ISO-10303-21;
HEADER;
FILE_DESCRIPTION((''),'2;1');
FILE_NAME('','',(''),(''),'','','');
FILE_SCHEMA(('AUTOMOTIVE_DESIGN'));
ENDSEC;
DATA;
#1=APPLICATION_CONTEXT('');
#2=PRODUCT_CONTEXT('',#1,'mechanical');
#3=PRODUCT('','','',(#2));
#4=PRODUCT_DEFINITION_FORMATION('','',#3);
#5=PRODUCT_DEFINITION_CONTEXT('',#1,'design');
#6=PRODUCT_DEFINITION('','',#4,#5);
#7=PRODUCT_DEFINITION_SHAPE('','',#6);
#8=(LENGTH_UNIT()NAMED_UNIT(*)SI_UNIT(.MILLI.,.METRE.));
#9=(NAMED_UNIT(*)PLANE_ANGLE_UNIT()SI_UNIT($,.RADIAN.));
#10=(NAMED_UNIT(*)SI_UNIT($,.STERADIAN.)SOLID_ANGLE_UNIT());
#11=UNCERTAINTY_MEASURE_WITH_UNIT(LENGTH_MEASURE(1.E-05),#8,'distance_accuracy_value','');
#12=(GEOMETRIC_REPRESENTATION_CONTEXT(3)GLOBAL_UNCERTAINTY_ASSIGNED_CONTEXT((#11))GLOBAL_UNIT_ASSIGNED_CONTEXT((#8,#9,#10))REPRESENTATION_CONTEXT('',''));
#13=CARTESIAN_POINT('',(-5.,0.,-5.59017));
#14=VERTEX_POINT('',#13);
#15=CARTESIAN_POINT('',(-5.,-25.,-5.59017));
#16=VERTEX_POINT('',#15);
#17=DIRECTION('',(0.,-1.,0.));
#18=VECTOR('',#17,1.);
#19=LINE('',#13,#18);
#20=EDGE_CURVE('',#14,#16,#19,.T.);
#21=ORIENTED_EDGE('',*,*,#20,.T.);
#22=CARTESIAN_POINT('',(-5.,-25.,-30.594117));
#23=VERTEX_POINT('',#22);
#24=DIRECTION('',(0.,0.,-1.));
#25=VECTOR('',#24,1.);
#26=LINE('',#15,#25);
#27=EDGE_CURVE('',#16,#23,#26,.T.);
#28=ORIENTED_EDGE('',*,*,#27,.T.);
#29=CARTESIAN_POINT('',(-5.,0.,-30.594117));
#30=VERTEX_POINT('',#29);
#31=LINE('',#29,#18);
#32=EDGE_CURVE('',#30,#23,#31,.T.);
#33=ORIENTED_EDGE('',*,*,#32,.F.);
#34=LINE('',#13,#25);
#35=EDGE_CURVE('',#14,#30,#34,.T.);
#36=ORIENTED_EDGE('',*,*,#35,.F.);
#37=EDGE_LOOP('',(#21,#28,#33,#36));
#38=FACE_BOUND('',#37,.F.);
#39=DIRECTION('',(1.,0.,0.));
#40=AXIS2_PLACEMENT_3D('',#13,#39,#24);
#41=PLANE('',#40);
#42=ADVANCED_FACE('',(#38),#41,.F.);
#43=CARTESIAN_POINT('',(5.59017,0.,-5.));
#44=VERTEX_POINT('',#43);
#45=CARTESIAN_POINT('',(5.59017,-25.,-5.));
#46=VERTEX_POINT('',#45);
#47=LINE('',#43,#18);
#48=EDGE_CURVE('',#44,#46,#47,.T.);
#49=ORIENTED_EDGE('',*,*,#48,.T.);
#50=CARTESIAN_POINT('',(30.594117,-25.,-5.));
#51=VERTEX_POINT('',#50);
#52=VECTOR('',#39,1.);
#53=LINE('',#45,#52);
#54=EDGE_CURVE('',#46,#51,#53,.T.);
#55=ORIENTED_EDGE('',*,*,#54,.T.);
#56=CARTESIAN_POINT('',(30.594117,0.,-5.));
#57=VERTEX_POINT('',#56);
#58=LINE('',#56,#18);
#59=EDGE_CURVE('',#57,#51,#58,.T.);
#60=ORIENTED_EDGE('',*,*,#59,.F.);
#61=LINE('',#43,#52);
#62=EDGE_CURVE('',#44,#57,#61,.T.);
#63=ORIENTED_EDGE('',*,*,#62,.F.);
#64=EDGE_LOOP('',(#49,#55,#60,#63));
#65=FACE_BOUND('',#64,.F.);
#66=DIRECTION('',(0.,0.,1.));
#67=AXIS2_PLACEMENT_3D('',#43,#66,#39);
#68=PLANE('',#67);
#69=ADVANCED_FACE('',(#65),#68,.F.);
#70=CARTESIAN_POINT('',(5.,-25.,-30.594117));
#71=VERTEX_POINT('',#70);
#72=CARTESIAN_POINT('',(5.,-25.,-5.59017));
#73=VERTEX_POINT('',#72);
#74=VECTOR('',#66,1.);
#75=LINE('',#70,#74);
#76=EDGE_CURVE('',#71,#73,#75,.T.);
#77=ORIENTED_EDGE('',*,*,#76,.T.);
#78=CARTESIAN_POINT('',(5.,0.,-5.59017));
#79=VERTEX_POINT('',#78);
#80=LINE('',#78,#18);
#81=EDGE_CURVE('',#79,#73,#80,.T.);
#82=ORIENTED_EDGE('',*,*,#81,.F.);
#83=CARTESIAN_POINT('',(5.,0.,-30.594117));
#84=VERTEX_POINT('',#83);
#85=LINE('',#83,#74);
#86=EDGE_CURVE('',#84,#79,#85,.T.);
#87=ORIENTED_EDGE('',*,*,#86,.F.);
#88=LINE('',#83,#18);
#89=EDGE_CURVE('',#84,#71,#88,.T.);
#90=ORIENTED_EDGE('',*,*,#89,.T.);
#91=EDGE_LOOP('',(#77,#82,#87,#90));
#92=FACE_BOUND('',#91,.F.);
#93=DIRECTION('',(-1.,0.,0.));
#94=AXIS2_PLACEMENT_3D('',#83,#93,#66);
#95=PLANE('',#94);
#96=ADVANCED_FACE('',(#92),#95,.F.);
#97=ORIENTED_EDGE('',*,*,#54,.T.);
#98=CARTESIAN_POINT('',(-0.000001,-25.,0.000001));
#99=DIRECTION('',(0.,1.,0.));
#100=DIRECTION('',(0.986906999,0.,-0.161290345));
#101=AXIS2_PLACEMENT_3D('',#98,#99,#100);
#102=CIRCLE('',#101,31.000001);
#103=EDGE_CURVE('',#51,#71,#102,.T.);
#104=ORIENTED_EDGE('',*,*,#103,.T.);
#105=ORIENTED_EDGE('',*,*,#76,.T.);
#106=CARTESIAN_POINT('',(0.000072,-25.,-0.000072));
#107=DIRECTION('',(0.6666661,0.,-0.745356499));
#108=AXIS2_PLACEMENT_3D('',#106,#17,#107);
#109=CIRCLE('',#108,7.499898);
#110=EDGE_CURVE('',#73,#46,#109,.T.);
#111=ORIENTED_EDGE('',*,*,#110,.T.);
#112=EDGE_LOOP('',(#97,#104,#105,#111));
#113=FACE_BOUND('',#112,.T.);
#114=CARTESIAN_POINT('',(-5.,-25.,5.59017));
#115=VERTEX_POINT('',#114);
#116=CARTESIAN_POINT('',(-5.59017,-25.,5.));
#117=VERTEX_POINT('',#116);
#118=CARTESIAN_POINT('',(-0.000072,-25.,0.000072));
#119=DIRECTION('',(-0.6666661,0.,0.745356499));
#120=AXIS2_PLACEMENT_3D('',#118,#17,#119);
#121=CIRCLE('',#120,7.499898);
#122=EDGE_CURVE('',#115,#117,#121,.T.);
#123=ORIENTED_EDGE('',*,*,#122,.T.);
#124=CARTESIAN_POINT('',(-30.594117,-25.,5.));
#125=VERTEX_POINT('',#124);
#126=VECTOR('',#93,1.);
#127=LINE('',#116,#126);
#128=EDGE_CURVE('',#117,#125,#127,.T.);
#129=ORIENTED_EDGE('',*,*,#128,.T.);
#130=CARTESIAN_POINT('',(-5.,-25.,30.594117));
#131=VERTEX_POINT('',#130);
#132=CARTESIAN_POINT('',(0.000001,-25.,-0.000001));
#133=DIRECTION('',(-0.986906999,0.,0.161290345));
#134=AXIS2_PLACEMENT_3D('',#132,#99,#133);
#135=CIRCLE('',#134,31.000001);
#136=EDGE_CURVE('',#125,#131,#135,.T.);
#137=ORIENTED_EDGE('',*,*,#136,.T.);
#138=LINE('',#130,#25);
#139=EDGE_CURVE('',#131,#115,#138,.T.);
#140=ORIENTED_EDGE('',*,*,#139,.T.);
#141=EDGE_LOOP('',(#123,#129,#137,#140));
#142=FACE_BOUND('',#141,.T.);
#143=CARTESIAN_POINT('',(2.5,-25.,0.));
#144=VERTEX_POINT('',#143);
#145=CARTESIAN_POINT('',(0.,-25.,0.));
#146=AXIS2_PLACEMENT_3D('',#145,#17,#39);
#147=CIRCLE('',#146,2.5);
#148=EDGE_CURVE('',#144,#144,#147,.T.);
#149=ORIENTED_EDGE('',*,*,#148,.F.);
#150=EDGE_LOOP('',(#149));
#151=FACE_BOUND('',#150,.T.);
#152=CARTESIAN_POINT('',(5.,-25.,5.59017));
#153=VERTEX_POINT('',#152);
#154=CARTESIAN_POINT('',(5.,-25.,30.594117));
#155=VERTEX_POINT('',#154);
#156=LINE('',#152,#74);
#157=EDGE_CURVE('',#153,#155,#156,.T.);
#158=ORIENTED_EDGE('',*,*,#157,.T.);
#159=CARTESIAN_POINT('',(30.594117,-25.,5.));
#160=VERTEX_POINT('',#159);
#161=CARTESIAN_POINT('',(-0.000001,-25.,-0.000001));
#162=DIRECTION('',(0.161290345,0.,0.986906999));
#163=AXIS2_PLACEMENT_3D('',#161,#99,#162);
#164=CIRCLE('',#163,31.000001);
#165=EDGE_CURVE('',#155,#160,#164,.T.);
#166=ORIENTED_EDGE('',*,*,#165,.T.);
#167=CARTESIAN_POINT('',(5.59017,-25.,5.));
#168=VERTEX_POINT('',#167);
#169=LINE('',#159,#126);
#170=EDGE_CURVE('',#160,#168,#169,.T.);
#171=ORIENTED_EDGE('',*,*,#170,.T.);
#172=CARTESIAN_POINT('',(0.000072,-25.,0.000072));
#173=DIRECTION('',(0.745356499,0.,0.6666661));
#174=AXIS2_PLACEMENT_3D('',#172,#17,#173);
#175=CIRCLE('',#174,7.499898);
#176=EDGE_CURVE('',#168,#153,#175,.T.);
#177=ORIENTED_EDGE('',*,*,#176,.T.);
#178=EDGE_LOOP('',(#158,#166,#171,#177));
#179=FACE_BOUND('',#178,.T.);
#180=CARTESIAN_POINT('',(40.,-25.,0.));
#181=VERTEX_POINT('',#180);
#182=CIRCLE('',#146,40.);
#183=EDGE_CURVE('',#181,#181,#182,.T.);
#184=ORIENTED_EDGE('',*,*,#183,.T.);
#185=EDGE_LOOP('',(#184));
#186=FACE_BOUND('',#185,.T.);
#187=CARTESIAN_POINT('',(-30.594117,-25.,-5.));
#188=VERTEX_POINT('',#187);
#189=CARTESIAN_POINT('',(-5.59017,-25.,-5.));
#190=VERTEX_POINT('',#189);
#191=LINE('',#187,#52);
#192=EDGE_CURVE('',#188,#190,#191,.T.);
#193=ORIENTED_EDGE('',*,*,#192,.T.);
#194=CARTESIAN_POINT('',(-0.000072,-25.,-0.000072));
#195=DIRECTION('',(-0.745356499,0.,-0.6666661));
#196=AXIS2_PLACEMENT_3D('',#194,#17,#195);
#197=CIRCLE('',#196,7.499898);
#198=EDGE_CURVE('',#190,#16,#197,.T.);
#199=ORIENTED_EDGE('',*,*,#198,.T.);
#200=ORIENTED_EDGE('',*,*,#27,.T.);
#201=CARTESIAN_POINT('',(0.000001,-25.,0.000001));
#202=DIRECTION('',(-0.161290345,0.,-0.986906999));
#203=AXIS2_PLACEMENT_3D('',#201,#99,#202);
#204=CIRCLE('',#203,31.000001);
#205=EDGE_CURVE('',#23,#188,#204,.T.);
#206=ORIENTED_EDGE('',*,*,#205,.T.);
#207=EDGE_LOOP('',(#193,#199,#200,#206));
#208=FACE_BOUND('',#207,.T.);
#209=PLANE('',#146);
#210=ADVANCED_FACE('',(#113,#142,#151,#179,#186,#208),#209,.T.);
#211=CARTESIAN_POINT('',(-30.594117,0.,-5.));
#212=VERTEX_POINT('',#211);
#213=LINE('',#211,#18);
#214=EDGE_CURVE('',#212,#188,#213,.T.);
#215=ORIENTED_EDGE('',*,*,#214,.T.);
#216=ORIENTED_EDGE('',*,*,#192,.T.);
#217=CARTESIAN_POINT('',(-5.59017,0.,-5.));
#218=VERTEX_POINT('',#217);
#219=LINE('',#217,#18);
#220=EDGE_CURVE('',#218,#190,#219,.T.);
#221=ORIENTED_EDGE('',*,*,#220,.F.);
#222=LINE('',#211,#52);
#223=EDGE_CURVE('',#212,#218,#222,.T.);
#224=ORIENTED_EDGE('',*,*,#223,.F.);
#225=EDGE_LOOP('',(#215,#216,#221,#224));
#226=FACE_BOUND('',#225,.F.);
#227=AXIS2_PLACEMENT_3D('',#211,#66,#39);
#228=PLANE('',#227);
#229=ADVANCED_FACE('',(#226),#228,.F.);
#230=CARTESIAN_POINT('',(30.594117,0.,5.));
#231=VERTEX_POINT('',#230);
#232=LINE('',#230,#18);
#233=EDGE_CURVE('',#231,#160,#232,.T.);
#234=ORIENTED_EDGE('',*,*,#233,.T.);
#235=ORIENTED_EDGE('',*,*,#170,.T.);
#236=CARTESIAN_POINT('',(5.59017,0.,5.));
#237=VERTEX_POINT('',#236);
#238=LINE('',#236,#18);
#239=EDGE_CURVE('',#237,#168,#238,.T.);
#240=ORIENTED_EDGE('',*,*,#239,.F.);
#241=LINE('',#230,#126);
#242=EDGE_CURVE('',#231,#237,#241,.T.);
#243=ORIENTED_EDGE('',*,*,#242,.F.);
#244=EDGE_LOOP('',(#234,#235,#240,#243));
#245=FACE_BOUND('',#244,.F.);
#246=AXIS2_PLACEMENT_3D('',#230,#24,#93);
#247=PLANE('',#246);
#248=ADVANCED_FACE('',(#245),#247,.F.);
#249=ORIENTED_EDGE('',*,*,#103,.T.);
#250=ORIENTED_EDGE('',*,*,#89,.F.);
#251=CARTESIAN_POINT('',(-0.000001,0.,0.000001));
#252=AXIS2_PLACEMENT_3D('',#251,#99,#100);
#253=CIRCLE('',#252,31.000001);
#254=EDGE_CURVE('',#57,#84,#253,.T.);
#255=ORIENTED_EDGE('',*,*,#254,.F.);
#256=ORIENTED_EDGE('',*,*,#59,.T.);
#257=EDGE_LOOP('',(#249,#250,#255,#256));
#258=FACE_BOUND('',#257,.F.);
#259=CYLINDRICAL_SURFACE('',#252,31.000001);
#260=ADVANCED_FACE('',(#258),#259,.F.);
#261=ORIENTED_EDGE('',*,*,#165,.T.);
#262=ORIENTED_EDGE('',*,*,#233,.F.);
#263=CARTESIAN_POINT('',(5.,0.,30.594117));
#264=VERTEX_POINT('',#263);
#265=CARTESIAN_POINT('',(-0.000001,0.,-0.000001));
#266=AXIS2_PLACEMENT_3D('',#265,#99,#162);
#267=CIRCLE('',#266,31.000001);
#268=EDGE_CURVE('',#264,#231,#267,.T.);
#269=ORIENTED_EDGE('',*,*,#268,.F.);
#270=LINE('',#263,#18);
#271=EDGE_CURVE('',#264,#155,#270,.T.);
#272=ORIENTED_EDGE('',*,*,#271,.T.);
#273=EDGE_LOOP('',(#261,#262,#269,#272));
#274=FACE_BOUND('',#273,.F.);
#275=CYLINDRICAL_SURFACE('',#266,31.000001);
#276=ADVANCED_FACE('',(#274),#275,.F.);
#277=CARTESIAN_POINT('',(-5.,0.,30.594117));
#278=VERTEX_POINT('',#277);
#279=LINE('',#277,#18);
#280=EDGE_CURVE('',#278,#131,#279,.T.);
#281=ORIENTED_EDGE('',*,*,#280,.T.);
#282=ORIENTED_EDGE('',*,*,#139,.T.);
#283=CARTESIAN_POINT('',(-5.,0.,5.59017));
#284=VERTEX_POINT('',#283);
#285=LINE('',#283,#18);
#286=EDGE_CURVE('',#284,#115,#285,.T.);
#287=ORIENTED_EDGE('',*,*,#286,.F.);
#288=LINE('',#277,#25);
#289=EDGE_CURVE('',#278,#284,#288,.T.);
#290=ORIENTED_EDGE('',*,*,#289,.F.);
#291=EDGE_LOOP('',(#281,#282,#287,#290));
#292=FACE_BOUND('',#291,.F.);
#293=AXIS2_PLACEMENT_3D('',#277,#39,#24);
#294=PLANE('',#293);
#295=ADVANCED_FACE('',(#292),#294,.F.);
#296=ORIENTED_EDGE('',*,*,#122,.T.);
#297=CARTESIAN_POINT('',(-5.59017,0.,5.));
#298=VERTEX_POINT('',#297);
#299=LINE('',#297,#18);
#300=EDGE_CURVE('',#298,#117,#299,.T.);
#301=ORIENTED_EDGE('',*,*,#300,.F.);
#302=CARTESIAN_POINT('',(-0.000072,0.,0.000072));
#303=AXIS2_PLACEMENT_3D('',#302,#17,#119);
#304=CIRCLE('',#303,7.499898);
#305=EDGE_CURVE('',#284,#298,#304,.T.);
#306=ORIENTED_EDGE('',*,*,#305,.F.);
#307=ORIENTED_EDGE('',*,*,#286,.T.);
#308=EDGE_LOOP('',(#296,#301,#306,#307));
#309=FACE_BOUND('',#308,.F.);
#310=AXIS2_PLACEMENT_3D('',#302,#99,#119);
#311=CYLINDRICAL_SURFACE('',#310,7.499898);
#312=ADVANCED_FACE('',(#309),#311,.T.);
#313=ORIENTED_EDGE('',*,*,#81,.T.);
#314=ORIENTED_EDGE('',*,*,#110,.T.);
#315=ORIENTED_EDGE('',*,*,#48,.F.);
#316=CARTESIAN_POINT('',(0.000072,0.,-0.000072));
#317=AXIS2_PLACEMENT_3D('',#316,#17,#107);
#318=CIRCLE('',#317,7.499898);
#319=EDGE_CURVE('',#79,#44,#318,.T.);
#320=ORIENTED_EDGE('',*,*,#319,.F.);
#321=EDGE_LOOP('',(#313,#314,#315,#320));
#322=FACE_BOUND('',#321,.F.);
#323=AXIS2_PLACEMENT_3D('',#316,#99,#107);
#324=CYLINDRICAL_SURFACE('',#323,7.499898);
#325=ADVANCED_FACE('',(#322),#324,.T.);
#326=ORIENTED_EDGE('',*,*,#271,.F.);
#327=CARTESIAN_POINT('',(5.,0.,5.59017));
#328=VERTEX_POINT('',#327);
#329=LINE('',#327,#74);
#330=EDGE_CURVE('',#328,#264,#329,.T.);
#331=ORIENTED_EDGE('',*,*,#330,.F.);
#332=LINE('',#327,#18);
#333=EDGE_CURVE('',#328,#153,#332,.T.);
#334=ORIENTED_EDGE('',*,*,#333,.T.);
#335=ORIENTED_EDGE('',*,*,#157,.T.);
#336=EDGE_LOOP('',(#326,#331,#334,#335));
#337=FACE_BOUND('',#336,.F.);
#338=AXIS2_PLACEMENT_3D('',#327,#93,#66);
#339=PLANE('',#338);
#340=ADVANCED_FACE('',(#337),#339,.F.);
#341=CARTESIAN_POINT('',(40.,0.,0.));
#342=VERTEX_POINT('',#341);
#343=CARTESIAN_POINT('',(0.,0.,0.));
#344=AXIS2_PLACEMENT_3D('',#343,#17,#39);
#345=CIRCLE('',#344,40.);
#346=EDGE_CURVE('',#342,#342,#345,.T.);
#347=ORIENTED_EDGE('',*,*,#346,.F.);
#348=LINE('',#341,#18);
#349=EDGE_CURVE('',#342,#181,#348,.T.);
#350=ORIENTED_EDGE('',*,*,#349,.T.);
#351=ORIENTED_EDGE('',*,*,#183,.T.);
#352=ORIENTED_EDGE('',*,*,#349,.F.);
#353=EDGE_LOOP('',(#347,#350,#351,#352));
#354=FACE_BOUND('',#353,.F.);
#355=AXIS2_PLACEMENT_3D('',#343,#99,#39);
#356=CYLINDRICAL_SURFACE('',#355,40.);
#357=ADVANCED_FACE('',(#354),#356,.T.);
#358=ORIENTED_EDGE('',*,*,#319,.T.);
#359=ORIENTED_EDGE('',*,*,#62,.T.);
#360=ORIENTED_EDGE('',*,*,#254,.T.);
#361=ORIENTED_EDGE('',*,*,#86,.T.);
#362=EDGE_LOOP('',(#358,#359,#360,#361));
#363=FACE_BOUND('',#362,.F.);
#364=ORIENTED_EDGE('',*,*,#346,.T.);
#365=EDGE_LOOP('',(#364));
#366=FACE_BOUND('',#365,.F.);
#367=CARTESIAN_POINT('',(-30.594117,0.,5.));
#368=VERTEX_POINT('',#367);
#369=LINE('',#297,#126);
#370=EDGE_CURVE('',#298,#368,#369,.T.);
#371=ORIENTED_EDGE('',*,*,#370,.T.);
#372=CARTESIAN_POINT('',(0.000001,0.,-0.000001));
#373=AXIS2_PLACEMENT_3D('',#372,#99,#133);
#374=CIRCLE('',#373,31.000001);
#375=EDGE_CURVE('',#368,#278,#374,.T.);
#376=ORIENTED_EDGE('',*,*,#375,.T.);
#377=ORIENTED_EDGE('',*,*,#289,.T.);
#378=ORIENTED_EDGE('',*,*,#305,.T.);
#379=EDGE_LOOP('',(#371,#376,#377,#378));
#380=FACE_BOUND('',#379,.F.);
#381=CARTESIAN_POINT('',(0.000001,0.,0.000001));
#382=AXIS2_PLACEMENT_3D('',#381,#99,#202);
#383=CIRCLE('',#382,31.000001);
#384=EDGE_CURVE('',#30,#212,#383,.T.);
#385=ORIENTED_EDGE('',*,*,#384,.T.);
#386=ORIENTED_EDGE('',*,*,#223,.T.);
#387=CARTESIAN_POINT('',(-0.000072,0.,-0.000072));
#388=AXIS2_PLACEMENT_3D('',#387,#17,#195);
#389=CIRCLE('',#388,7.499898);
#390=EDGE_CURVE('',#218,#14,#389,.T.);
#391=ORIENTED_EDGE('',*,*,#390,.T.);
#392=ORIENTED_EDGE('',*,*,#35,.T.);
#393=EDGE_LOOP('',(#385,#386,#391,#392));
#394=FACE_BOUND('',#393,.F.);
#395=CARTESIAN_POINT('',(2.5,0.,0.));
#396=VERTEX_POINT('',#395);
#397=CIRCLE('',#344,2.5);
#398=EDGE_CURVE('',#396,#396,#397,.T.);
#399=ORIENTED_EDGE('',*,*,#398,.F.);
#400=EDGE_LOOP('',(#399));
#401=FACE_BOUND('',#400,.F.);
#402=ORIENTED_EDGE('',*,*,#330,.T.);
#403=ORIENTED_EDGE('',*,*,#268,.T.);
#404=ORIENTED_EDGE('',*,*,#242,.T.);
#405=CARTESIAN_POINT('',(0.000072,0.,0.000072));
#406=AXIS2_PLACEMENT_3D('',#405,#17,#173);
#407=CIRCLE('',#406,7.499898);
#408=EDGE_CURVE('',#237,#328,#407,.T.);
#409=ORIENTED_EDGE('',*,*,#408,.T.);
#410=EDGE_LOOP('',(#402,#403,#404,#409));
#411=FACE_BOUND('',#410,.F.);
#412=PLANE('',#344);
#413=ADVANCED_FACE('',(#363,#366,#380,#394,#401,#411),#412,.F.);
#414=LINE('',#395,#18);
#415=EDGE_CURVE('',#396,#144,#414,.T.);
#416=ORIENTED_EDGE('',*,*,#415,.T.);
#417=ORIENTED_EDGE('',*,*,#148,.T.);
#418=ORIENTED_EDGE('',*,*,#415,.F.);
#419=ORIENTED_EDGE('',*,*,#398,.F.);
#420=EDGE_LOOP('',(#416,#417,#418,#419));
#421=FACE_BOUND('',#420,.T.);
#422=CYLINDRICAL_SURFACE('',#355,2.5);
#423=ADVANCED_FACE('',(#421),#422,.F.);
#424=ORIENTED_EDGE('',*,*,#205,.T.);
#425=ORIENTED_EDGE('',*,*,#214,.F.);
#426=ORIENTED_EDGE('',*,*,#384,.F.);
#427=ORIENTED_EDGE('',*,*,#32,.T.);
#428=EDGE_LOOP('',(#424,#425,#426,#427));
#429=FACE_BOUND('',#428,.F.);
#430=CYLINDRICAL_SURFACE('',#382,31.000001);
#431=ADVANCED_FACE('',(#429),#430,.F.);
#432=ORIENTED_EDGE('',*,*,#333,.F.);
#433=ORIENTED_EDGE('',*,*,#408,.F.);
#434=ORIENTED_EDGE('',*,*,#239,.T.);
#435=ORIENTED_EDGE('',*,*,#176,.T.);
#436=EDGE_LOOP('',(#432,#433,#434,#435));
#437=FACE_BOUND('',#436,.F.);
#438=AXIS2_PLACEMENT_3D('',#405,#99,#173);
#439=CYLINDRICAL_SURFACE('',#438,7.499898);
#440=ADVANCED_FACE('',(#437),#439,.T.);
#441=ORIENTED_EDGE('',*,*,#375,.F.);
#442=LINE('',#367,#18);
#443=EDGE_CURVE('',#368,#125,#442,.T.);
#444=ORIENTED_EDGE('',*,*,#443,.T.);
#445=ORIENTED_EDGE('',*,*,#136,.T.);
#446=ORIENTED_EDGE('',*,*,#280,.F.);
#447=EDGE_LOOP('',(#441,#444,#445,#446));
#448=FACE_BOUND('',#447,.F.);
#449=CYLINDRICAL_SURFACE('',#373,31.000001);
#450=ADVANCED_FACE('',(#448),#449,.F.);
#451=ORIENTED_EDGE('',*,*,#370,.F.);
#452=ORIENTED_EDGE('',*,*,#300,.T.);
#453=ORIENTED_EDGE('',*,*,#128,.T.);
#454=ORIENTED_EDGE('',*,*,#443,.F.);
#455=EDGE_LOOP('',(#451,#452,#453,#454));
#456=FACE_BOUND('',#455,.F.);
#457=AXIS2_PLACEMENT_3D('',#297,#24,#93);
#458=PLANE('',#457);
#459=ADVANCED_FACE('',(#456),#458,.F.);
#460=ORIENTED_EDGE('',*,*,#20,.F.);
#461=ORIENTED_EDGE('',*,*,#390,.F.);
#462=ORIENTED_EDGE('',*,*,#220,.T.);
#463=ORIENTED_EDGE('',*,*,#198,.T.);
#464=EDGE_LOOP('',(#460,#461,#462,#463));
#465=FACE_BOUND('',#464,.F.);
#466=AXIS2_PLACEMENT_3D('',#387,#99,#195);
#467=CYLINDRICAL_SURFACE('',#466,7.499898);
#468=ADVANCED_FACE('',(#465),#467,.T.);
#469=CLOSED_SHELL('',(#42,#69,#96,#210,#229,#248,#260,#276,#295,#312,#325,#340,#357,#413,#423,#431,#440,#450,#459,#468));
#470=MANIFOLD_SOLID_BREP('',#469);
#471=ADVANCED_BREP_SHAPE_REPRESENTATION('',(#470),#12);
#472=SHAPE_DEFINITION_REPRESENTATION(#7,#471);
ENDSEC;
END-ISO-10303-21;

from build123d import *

# Parameters (mm, degrees)
F0_R     = 40
F0_R_2   = 2.5
F1_DEPTH = 25


with BuildPart() as f1:
    # F0 (on Front) → F1 (new body)
    with BuildSketch(Plane.XZ):
        Circle(F0_R)
        with BuildLine():
            ThreePointArc((-5, -30.594117), (-21.92031, -21.92031), (-30.594117, -5))
            Line((-30.594117, -5), (-5.59017, -5))
            ThreePointArc((-5.59017, -5), (-5.303301, -5.303301), (-5, -5.59017))
            Line((-5, -5.59017), (-5, -30.594117))
        make_face(mode=Mode.SUBTRACT)
        with BuildLine():
            Line((5, -30.594117), (5, -5.59017))
            ThreePointArc((5, -5.59017), (5.303301, -5.303301), (5.59017, -5))
            Line((5.59017, -5), (30.594117, -5))
            ThreePointArc((30.594117, -5), (21.92031, -21.92031), (5, -30.594117))
        make_face(mode=Mode.SUBTRACT)
        with BuildLine():
            Line((-5, 30.594117), (-5, 5.59017))
            ThreePointArc((-5, 5.59017), (-5.303301, 5.303301), (-5.59017, 5))
            Line((-5.59017, 5), (-30.594117, 5))
            ThreePointArc((-30.594117, 5), (-21.92031, 21.92031), (-5, 30.594117))
        make_face(mode=Mode.SUBTRACT)
        Circle(F0_R_2, mode=Mode.SUBTRACT)
        with BuildLine():
            ThreePointArc((5.59017, 5), (5.303301, 5.303301), (5, 5.59017))
            Line((5, 5.59017), (5, 30.594117))
            ThreePointArc((5, 30.594117), (21.92031, 21.92031), (30.594117, 5))
            Line((30.594117, 5), (5.59017, 5))
        make_face(mode=Mode.SUBTRACT)
    extrude(amount=F1_DEPTH)


solid = f1.part
